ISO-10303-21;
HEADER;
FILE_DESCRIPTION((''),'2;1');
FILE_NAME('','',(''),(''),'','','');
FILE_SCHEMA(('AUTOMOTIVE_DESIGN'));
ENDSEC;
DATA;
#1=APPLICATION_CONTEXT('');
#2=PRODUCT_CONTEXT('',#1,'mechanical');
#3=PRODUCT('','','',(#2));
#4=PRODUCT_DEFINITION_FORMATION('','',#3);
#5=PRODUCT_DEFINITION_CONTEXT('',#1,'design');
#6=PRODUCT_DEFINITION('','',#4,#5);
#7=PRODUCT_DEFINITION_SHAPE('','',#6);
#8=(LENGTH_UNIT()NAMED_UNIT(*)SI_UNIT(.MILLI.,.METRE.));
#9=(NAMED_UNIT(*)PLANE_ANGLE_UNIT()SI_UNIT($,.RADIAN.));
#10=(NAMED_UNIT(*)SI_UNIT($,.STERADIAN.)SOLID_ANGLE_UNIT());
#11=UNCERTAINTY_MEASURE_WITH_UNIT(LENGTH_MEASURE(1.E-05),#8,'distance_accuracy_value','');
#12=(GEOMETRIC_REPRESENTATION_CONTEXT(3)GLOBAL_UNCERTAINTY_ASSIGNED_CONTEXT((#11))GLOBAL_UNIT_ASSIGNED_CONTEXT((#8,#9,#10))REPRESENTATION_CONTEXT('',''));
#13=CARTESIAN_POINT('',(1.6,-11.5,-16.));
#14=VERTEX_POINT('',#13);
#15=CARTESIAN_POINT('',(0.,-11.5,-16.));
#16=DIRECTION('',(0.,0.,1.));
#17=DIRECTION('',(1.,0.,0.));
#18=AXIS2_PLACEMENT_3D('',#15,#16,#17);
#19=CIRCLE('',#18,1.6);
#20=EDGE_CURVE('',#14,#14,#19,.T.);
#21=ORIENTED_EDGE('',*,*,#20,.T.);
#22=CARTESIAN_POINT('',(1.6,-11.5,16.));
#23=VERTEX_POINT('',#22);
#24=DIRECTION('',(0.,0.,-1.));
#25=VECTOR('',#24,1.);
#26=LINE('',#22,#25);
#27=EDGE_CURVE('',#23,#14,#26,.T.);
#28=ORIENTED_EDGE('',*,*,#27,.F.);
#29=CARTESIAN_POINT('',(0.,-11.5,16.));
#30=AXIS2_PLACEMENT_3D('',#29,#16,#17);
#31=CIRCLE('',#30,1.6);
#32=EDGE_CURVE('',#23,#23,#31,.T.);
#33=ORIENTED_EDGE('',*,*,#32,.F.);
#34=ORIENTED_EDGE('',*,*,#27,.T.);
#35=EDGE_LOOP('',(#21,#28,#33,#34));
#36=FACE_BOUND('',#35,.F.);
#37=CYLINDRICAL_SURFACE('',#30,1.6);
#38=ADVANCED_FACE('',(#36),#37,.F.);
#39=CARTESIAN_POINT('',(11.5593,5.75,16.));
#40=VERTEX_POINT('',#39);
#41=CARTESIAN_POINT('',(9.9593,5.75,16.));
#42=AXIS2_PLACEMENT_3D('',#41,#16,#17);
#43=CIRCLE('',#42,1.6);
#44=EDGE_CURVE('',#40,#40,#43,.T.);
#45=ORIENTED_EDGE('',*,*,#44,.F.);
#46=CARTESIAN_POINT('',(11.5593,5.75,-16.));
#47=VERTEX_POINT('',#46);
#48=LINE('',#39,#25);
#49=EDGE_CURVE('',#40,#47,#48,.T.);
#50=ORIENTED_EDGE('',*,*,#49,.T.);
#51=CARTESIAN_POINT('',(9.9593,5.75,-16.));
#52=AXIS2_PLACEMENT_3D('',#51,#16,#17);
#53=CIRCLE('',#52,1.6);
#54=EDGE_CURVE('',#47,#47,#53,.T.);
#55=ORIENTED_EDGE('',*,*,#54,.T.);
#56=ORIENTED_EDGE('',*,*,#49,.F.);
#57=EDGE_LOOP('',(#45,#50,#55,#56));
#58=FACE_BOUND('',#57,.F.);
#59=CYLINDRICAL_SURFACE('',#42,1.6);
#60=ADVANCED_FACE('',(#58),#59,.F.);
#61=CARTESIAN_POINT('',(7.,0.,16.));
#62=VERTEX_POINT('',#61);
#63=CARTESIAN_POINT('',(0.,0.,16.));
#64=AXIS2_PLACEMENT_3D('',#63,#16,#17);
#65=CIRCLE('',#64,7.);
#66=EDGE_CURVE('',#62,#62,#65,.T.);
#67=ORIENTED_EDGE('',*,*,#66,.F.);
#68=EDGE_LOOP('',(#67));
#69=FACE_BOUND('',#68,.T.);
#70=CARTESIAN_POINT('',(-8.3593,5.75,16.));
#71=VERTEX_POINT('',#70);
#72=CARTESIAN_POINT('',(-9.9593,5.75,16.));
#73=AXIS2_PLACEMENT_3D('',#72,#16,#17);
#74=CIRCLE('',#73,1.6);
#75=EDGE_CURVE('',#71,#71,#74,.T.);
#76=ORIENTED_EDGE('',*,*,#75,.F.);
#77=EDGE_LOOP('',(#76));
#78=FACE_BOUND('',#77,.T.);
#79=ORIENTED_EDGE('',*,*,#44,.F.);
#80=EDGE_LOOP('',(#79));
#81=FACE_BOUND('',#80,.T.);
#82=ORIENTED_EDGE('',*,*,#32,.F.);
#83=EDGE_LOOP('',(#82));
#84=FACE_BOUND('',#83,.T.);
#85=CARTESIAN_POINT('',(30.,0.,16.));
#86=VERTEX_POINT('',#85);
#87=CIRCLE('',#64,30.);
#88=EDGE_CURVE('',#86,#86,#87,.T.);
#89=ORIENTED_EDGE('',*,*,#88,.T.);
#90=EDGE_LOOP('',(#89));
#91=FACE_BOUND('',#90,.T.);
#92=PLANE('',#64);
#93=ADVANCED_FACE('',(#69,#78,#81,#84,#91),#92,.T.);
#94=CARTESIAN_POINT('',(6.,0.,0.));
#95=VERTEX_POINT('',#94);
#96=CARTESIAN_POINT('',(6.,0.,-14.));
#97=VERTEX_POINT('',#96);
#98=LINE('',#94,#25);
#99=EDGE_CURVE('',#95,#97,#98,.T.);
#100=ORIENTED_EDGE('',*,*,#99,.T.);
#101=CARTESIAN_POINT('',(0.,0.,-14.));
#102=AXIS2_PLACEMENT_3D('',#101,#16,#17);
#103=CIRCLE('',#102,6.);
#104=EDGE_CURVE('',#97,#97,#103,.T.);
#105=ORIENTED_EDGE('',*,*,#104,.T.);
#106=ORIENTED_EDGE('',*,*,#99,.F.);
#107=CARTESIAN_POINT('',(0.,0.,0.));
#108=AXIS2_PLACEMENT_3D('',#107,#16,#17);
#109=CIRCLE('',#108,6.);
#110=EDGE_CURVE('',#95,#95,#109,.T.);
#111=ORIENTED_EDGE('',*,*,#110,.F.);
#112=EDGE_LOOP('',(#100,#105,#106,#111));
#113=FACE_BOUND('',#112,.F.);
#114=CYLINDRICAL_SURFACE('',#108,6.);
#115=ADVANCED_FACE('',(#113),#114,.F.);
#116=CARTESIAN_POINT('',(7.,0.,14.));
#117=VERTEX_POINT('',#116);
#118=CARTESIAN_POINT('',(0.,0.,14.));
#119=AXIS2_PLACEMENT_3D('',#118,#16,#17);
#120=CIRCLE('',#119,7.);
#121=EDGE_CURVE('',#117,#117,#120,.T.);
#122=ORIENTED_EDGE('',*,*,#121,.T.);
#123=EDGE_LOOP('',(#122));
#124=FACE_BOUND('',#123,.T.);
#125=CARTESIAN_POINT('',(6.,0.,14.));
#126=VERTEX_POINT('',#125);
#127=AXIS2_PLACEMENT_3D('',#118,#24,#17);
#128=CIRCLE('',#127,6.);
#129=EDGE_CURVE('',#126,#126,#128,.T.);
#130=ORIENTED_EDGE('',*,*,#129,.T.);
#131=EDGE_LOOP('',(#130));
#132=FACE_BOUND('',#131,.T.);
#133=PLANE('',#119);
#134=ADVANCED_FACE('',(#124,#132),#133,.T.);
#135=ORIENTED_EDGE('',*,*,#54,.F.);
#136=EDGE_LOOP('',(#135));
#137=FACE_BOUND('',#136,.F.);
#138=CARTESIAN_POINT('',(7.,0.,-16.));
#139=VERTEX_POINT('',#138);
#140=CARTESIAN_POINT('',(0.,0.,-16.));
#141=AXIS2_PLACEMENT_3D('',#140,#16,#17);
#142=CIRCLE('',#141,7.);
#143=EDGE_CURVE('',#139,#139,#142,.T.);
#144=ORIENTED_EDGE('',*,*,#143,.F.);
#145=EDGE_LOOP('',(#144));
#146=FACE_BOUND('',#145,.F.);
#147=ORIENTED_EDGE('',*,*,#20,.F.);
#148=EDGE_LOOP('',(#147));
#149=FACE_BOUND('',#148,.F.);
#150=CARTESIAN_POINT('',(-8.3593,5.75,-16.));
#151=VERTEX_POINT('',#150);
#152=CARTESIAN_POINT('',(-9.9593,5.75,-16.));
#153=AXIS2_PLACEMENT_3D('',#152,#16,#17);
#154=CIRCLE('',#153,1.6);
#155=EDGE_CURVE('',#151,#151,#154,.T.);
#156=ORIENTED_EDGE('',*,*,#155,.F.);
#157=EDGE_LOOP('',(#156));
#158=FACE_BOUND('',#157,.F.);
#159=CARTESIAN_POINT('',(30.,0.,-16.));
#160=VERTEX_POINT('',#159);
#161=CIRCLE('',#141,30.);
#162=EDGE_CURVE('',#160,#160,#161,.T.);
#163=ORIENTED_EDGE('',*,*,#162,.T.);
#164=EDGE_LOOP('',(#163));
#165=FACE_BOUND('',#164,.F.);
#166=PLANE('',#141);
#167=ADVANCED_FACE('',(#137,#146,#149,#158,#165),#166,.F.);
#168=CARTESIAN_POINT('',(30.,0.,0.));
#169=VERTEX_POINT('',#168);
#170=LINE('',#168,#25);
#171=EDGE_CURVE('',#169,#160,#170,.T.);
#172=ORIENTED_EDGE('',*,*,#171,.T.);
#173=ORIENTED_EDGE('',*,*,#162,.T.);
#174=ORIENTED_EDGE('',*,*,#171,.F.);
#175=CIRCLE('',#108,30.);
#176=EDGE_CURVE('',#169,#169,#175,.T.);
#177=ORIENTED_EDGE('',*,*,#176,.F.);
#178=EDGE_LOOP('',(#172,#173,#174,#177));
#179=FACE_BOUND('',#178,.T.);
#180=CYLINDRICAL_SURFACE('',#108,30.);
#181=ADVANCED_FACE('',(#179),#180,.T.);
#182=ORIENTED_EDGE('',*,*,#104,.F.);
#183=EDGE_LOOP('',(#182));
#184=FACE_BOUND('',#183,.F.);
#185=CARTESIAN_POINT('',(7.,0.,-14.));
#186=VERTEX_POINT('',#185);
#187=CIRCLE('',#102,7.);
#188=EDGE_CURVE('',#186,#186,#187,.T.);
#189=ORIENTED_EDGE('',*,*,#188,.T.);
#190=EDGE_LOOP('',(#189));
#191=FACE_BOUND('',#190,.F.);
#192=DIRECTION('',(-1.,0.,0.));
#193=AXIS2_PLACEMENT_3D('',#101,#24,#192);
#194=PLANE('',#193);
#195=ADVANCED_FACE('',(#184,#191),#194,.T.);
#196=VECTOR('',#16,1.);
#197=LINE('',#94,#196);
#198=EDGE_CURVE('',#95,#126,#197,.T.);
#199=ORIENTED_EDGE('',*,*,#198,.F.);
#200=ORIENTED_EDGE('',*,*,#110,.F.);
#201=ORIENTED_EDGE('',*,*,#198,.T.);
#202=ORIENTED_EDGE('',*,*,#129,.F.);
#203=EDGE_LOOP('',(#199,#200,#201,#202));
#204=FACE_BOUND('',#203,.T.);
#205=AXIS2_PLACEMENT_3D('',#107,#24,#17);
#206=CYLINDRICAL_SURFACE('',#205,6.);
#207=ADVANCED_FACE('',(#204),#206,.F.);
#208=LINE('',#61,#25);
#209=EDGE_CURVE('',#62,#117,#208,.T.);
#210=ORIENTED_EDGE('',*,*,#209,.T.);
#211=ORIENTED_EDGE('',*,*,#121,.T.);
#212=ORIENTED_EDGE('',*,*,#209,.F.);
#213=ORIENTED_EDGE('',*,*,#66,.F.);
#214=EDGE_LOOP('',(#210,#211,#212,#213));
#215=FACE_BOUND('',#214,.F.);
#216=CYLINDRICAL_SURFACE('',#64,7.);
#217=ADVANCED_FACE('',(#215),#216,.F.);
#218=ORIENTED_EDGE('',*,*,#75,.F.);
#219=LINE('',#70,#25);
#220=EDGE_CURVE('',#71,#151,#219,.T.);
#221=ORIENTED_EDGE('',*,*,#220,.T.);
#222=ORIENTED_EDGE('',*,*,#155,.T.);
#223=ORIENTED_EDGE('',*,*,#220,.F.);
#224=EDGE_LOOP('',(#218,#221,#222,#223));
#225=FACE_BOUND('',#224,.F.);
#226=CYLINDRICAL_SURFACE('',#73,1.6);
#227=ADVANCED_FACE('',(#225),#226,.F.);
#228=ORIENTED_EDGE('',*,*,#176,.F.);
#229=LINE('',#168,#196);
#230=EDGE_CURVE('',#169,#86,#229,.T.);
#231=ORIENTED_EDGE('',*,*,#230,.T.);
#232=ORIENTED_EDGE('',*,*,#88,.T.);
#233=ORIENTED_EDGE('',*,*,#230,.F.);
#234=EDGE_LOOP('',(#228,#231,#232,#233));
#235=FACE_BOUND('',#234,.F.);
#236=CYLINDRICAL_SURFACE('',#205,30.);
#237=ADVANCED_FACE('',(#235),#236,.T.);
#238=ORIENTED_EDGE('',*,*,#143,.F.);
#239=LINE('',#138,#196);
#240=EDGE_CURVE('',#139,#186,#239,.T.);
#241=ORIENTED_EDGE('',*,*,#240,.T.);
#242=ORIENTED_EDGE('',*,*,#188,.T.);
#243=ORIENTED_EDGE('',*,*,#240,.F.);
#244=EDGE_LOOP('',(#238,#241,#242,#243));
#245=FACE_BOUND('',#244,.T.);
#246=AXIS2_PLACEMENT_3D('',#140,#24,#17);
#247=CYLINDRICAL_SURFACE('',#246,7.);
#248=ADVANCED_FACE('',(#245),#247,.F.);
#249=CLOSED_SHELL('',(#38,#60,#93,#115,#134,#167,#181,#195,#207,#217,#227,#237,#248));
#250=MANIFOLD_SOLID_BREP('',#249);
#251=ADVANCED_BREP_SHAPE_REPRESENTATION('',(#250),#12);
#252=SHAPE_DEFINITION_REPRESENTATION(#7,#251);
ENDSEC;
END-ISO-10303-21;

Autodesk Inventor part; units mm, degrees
ref_plane "YZ Plane" through (0, 0, 0) normal (1, 0, 0) x (0, 1, 0)
ref_plane "XZ Plane" through (0, 0, 0) normal (0, 1, 0) x (-1, 0, 0)
ref_plane "XY Plane" through (0, 0, 0) normal (0, 0, 1) x (1, 0, 0)
sketch "スケッチ1" plane through (0, 0, 0) normal (0, 0, 1) x (1, 0, 0)
  circle A0 centre (0, 0) radius 30
  circle A1 centre (0, 0) radius 6
  dimension "d0" = 12
  dimension "d1" = 60
extrude "押し出し1" add sketch "スケッチ1" along normal mid plane 32
sketch "スケッチ3" plane through (0, 0, 16) normal (0, 0, 1) x (1, 0, 0)
  circle A0 centre (0, 0) radius 11.5 construction
  circle A1 centre (-9.9593, 5.75) radius 1.6
  circle A2 centre (0, -11.5) radius 1.6
  circle A3 centre (9.9593, 5.75) radius 1.6
  dimension "d7" = 23
  dimension "d8" = 3.2
  dimension "d11" = 360
extrude "押し出し3" cut sketch "スケッチ3" against normal through all
sketch "スケッチ2" plane through (0, 0, 16) normal (0, 0, 1) x (1, 0, 0)
  circle A0 centre (0, 0) radius 7
  dimension "d4" = 14
extrude "押し出し2" cut sketch "スケッチ2" against normal blind 2
mirror "ミラー1" about plane through (0, 0, 0) normal (0, 0, 1) of "押し出し2"
properties part number "mecanumL"
